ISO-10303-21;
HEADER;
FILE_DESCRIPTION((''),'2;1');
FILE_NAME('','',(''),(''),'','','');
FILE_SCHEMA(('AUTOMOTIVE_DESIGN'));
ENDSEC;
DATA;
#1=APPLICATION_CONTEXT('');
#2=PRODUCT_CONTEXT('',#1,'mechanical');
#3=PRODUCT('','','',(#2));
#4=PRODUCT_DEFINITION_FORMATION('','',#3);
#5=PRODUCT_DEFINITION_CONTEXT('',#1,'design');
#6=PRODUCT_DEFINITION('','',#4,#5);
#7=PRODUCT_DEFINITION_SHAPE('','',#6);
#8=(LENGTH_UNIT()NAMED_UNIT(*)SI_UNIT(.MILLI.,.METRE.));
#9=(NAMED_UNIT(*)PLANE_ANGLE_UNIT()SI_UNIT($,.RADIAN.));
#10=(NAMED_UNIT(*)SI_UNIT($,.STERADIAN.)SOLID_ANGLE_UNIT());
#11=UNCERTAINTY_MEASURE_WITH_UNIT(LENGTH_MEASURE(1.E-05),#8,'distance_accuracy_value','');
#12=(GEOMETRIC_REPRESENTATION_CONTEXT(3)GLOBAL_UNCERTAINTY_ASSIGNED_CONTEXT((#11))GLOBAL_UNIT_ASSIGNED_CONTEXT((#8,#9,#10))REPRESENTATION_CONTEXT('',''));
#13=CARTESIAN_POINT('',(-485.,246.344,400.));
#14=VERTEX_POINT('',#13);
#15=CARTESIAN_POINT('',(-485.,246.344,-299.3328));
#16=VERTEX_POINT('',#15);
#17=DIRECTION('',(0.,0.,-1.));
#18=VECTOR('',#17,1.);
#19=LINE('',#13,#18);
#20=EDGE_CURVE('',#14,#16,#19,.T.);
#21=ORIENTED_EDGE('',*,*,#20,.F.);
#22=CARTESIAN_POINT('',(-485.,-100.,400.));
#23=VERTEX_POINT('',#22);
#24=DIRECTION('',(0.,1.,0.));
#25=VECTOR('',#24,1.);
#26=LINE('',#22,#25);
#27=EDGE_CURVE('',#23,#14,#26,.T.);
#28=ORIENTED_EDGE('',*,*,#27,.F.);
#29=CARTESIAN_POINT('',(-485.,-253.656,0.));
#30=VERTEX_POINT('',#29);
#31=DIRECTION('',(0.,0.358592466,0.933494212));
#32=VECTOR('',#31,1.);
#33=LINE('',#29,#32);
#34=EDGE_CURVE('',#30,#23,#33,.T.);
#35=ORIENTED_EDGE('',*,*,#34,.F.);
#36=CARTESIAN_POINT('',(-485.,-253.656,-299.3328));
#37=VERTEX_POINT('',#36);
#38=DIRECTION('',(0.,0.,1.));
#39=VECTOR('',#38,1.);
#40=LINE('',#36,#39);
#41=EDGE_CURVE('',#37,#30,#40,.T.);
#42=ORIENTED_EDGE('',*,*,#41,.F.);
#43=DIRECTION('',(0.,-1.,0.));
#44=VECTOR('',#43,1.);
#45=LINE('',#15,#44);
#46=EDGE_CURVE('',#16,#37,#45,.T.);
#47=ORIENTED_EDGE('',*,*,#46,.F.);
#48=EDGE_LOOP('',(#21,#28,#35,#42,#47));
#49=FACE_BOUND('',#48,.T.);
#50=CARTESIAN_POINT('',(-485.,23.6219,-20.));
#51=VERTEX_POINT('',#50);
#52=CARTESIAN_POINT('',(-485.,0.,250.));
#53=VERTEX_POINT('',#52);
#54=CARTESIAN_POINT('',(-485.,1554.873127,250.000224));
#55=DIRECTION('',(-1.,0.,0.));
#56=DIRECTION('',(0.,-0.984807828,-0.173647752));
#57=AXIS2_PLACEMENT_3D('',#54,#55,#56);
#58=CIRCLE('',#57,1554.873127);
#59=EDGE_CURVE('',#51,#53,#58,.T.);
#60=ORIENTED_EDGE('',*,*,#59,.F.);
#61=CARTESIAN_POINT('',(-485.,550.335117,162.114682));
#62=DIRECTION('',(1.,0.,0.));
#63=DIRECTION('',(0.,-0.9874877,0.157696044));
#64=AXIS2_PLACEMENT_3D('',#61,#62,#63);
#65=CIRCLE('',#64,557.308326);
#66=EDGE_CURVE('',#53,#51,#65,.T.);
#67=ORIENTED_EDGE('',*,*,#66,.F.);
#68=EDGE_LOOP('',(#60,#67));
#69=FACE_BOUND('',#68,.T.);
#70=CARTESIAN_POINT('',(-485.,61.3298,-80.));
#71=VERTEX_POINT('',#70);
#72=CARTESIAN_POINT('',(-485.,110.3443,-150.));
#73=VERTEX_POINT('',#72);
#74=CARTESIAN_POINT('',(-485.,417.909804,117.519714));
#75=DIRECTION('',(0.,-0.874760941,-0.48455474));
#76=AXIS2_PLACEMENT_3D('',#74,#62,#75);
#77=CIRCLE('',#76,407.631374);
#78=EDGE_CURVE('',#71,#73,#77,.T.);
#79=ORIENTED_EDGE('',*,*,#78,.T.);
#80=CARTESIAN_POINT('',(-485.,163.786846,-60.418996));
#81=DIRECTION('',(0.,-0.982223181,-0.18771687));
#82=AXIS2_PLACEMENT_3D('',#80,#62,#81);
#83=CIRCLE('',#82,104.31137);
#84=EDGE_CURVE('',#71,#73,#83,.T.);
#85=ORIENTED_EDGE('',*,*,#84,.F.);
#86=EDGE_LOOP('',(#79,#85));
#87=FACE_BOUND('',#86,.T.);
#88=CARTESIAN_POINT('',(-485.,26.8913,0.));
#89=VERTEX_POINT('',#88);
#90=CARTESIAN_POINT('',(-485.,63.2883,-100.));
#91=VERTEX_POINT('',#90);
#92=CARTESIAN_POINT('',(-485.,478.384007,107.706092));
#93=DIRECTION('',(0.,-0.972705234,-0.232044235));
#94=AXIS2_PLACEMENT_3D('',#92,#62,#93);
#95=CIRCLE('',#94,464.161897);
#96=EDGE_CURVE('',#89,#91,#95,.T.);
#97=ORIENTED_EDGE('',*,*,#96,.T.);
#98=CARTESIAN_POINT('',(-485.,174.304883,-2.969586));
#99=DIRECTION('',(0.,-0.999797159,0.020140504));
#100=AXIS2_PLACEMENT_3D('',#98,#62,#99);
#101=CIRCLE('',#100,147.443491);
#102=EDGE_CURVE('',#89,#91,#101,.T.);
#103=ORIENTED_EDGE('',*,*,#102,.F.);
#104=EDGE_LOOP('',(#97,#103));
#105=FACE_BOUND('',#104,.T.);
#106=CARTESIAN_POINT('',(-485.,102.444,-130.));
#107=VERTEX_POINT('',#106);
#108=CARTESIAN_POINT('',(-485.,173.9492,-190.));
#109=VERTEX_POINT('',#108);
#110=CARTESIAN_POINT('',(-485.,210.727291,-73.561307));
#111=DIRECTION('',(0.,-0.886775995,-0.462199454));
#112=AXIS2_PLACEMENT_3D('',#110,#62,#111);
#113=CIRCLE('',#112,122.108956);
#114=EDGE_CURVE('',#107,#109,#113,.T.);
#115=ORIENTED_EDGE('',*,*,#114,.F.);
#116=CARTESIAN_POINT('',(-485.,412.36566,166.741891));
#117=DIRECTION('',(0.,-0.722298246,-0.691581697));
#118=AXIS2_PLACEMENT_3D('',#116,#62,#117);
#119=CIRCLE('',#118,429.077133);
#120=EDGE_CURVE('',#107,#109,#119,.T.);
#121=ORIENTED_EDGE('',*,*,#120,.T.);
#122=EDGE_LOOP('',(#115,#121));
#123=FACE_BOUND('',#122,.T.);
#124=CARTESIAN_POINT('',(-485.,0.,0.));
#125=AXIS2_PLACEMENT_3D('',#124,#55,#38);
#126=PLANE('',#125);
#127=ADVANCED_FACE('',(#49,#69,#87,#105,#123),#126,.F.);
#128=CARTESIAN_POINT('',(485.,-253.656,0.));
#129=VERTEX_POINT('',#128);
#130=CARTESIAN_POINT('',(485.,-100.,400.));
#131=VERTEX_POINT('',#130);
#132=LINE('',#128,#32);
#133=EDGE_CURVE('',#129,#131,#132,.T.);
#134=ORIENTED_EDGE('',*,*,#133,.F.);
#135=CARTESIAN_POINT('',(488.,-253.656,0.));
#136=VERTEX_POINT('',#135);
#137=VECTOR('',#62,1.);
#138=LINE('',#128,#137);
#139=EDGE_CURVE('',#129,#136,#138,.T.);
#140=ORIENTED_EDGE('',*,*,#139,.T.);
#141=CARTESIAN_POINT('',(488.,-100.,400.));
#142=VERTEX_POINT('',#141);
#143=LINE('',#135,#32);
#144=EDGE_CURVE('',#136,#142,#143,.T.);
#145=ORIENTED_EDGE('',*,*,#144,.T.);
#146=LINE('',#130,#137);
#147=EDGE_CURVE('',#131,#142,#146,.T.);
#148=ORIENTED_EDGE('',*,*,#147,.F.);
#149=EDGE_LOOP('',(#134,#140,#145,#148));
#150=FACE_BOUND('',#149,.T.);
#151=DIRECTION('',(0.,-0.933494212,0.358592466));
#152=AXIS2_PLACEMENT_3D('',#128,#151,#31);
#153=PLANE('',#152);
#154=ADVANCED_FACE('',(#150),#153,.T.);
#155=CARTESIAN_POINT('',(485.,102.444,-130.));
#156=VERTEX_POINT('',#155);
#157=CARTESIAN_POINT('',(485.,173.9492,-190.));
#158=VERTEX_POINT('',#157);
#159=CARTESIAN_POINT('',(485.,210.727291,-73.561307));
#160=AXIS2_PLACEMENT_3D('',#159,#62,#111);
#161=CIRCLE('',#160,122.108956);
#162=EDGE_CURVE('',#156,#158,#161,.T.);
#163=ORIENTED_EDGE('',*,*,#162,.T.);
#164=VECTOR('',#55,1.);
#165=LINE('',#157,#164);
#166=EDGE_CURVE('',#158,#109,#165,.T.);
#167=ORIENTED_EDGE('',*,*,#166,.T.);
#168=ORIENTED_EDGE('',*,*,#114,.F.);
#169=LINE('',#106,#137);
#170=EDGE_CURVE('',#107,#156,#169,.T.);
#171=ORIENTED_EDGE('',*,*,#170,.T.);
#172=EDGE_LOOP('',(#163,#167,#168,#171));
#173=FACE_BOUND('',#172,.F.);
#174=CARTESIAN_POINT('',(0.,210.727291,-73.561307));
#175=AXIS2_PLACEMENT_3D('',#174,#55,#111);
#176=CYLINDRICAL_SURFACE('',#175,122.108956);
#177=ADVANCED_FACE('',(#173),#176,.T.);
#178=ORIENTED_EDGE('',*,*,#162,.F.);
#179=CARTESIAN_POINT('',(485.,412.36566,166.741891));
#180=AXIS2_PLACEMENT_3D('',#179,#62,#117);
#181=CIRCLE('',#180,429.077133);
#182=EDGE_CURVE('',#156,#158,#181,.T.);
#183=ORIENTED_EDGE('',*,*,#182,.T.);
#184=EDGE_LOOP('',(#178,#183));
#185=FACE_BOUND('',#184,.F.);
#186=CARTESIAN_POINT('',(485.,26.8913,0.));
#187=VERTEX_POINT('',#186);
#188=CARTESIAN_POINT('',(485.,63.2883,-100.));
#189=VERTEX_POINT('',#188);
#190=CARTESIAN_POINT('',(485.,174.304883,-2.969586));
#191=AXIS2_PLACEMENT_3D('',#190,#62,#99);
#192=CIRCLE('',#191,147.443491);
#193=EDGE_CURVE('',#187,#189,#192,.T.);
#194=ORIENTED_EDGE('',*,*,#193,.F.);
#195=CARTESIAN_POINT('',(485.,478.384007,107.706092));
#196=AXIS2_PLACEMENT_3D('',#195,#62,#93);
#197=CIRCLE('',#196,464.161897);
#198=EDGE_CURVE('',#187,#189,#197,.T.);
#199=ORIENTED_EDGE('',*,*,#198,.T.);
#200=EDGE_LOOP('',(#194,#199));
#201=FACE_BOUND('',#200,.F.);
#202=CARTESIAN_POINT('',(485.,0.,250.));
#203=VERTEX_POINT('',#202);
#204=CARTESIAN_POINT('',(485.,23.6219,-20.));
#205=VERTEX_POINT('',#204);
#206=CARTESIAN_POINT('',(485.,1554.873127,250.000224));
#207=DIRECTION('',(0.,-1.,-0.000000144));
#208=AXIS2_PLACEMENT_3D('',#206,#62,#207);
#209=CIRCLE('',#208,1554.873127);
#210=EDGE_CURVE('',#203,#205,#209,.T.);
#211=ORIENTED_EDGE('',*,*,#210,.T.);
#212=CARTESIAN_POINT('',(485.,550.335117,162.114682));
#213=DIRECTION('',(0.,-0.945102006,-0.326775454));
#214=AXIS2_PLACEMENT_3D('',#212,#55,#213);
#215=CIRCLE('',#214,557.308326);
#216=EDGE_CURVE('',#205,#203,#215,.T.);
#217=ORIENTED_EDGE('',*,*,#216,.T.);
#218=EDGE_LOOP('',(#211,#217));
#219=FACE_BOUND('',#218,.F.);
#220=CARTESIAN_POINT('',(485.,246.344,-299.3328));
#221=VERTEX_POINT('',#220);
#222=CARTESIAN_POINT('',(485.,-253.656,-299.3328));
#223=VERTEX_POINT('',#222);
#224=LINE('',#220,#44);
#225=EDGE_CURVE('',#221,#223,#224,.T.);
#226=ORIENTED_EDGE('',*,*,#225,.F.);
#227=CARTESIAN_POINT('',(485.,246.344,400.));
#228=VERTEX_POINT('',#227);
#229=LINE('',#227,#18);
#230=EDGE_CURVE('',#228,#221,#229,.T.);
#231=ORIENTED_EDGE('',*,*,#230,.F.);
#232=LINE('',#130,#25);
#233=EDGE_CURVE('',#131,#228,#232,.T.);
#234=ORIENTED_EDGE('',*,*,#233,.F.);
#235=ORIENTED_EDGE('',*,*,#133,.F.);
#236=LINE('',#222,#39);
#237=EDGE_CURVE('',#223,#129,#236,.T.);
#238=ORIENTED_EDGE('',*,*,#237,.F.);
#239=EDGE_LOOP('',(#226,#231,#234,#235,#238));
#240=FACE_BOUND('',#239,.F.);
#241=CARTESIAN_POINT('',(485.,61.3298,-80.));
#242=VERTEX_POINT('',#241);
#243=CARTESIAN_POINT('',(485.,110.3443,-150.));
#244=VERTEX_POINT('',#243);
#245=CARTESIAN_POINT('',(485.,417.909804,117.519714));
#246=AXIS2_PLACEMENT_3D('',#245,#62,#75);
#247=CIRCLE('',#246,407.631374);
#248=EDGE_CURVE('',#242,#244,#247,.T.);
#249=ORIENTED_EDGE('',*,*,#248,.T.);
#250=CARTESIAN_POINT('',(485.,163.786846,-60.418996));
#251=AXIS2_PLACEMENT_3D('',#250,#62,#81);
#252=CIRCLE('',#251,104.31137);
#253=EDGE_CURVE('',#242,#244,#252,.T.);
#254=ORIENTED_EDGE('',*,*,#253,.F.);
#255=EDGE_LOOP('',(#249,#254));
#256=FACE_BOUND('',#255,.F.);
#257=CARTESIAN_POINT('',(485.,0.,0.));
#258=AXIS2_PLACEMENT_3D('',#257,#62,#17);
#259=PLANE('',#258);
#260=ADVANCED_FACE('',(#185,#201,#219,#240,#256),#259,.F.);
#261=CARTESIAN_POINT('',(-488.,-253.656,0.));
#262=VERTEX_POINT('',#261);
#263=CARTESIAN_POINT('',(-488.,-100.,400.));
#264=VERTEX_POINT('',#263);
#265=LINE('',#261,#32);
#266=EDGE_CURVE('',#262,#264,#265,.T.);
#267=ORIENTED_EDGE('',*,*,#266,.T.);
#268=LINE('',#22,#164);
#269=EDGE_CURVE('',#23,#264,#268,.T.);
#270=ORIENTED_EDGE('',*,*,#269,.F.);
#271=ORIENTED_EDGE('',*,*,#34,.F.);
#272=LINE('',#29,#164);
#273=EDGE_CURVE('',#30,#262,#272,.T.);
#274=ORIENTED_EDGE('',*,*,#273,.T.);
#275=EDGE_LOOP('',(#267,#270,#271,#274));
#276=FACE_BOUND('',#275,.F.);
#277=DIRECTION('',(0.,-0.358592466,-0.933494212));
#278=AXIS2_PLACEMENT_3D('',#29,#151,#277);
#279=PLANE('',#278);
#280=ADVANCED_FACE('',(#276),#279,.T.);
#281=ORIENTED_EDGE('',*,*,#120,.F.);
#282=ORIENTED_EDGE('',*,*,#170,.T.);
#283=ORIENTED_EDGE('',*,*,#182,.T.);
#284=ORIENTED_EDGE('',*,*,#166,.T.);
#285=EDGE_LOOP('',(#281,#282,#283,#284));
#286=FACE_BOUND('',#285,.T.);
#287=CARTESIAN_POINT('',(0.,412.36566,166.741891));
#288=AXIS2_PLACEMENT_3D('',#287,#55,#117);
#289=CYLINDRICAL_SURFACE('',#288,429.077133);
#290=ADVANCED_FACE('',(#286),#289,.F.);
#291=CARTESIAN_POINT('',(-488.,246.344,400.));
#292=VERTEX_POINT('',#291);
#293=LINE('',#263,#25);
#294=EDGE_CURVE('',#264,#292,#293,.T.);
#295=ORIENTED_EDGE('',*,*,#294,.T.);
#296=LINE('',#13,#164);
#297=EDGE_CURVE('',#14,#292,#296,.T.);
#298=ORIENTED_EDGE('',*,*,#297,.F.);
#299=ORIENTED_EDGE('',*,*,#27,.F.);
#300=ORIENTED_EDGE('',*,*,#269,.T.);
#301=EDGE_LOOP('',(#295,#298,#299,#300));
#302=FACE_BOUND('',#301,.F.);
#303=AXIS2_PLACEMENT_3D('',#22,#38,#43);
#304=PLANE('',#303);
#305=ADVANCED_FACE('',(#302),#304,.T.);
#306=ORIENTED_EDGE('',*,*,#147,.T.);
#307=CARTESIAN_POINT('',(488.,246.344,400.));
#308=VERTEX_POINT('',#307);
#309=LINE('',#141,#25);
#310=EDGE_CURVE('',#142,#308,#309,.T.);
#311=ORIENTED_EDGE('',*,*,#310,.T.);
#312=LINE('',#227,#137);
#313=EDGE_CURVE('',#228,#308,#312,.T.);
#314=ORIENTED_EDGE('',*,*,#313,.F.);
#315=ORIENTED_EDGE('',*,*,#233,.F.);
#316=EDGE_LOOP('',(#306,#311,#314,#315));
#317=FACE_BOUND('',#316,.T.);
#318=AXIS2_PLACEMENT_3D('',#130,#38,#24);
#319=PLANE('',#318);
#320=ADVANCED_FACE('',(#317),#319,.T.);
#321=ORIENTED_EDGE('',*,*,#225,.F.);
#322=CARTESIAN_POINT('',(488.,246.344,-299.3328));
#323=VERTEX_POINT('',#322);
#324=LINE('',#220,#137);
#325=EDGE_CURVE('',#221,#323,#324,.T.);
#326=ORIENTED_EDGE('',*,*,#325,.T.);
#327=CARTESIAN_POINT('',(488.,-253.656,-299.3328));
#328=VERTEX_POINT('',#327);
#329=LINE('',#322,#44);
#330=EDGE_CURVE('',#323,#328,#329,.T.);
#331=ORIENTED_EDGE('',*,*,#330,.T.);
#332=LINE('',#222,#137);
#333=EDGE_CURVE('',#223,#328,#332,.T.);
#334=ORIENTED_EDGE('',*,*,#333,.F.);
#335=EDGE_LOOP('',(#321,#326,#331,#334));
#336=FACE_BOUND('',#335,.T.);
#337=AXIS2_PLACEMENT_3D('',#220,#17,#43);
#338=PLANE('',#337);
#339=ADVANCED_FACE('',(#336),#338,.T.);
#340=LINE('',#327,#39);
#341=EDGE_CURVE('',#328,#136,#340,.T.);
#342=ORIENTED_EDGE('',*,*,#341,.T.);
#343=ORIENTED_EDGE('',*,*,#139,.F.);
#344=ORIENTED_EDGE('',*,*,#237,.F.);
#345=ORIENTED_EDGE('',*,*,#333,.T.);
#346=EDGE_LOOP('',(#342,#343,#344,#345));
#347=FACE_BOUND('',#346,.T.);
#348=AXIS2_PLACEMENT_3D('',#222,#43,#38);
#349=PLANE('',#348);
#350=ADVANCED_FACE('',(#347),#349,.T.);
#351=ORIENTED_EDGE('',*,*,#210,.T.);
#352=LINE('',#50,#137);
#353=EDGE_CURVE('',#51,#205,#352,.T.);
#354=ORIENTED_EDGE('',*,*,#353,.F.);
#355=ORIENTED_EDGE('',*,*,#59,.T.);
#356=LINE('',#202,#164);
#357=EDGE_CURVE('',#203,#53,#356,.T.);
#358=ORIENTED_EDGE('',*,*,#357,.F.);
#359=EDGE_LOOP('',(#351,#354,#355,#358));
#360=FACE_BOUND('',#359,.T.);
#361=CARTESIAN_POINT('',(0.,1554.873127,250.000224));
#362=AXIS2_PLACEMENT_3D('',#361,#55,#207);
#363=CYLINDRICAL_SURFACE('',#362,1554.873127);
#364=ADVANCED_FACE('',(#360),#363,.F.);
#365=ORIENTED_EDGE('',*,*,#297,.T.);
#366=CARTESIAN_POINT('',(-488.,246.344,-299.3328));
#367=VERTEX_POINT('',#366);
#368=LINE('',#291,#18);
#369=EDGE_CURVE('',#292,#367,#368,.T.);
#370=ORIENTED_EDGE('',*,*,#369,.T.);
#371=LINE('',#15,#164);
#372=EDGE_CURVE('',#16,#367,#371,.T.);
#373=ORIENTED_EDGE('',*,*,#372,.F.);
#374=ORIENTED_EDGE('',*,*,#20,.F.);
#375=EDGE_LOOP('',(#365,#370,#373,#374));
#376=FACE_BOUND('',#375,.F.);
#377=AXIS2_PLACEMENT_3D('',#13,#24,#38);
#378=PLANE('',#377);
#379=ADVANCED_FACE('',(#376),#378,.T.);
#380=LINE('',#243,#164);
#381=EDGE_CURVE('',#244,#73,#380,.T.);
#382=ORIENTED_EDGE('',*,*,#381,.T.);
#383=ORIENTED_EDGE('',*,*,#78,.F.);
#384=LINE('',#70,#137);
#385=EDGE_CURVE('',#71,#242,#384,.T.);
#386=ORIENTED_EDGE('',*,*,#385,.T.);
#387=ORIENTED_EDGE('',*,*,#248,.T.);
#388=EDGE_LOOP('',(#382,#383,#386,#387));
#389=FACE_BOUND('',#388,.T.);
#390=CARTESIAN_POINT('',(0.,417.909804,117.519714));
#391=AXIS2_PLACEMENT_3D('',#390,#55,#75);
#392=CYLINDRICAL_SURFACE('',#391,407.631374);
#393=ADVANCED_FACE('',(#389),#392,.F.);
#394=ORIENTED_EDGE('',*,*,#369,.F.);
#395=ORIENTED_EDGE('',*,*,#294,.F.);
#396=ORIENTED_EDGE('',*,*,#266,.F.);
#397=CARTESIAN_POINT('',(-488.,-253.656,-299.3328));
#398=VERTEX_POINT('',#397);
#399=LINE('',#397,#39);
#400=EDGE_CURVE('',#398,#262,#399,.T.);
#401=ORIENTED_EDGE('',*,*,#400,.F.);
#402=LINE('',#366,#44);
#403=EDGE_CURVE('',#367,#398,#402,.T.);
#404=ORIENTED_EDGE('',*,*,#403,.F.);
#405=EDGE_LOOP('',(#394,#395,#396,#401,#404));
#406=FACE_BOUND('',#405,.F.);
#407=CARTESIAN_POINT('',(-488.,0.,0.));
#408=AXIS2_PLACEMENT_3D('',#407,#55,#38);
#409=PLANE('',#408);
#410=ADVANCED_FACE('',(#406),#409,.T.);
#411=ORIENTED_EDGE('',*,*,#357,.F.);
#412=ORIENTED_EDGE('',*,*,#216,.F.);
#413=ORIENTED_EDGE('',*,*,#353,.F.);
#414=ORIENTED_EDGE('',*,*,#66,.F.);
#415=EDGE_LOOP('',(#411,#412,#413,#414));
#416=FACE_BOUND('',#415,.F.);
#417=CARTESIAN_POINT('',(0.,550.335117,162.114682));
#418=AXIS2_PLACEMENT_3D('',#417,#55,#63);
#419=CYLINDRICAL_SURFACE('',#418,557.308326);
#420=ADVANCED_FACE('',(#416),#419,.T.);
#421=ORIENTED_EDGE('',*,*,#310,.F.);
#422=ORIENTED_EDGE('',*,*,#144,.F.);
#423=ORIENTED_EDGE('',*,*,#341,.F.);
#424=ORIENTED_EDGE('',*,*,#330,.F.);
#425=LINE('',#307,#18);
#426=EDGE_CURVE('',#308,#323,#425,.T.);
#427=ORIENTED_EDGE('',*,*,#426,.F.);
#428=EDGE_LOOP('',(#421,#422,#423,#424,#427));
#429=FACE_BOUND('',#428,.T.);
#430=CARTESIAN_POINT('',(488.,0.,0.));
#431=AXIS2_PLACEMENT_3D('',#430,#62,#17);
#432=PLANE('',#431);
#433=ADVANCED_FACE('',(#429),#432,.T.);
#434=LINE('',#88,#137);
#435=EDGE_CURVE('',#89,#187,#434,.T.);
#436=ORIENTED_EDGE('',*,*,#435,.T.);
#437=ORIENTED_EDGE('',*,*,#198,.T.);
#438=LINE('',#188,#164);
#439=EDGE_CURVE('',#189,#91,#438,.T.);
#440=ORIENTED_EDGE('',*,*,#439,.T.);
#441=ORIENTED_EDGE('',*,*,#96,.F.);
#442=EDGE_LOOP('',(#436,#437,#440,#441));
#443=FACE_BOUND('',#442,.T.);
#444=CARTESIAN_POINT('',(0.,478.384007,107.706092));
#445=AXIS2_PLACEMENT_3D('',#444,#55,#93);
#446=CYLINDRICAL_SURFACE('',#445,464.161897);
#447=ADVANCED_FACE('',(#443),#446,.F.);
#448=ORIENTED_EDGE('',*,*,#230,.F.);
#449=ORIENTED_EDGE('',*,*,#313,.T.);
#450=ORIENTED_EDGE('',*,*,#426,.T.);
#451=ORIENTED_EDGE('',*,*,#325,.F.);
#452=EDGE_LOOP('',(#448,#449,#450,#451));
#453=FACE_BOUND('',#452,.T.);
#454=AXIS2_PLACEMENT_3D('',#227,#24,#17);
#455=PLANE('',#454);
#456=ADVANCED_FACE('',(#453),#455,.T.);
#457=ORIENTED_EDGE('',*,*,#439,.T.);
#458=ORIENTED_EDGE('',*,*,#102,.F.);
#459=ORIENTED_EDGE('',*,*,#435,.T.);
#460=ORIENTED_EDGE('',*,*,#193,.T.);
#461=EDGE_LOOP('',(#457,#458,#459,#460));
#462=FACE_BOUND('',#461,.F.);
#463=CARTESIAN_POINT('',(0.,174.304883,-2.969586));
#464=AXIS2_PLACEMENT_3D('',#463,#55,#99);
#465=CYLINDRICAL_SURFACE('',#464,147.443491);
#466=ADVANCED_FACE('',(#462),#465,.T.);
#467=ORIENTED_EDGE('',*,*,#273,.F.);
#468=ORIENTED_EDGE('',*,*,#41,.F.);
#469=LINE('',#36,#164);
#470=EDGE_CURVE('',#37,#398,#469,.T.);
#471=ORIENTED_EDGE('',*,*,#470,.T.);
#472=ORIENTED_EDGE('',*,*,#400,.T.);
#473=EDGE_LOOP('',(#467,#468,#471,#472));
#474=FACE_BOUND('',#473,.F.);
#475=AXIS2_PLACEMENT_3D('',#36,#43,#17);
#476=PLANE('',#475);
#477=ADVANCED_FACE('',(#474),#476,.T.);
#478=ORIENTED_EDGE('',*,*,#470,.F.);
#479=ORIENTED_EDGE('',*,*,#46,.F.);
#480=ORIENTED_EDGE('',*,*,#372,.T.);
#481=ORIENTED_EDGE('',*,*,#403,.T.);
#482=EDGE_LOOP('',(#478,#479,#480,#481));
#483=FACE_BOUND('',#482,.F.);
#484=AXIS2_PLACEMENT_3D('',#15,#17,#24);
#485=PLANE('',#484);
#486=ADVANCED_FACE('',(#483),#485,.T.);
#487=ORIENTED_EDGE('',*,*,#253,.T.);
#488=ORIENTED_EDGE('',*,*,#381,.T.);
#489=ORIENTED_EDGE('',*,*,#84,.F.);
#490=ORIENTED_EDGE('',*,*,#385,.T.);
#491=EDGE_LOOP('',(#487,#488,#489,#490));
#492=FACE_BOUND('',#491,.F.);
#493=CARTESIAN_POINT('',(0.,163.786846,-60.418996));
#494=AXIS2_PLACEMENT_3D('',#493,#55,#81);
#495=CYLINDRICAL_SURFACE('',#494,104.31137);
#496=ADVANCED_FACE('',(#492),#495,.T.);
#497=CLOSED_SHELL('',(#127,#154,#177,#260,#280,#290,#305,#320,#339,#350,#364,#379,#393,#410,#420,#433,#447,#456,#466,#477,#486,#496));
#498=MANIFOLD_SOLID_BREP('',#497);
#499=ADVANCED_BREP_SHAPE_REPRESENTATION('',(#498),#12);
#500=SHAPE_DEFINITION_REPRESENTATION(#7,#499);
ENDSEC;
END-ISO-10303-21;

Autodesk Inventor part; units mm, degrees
ref_plane "YZ Plane" through (0, 0, 0) normal (1, 0, 0) x (0, 1, 0)
ref_plane "XZ Plane" through (0, 0, 0) normal (0, 1, 0) x (-1, 0, 0)
ref_plane "XY Plane" through (0, 0, 0) normal (0, 0, 1) x (1, 0, 0)
sketch "スケッチ1" plane through (0, 0, 0) normal (1, 0, 0) x (0, 1, 0)
  arc A0 (0, 250) -> (23.6219, -20) centre (550.3346, 162.1147) ccw
  arc A1 (0, 250) -> (23.6219, -20) centre (1554.868, 250) ccw
  line L0 (0, 250) -> (23.6219, -20)
  line L1 (0, -286.5226) -> (0, 339.4204) projected
  line L2 (-330.9698, 0) -> (1869.1743, 0) projected
  arc A2 (26.8913, 0) -> (63.2883, -100) centre (478.3817, 107.7054) ccw
  arc A3 (26.8913, 0) -> (63.2883, -100) centre (174.3048, -2.9696) ccw
  line L3 (26.8913, 0) -> (63.2883, -100)
  arc A4 (61.3298, -80) -> (110.3443, -150) centre (417.9077, 117.5184) ccw
  arc A5 (61.3298, -80) -> (110.3443, -150) centre (163.7866, -60.4191) ccw
  line L4 (61.3298, -80) -> (110.3443, -150)
  arc A6 (102.444, -130) -> (173.9492, -190) centre (412.3652, 166.7414) ccw
  arc A7 (102.444, -130) -> (173.9492, -190) centre (210.7273, -73.5613) ccw
  line L5 (102.444, -130) -> (173.9492, -190)
  dimension "d14" = 5
  dimension "d15" = 250
  dimension "d18" = 15
  dimension "d19" = 20
  dimension "d20" = 100
  dimension "d21" = 270
  dimension "d22" = 15
  dimension "d23" = 20
  dimension "d24" = 5
  dimension "d25" = 5
  dimension "d26" = 70
  dimension "d37" = 15
  dimension "d38" = 20
  dimension "d39" = 5
  dimension "d40" = 60
extrude "押し出し3" add sketch "スケッチ1" along normal mid plane 970 contours L1 A0 | A2 A3 | A1 L2 A0 L1 | A1 A0 L2 | A4 A5 | A6 A7
sketch "スケッチ3" plane through (485, 0, 0) normal (1, 0, 0) x (0, 0, -1)
  line L0 (-400, 246.344) -> (299.3328, 246.344)
  line L1 (299.3328, 246.344) -> (299.3328, -253.656)
  line L2 (299.3328, -253.656) -> (0, -253.656)
  line L3 (0, -253.656) -> (-400, -100)
  line L4 (-400, -100) -> (-400, 246.344)
  arc A0 (0, 26.8913) -> (100, 63.2883) centre (2.9696, 174.3048) ccw projected
  line L5 (0, 26.8913) -> (0, -253.656)
  point P0 (0, 0)
  point P1 (150, 110.3443)
  point P2 (-250, 0)
  dimension "d31" = 100
  dimension "d32" = 150
  dimension "d34" = 500
extrude "押し出し4" add sketch "スケッチ3" along normal blind 3
mirror "ミラー2" about plane through (0, 0, 0) normal (1, 0, 0) of "押し出し4"
properties part number "R-wing" material "PAEK 樹脂"
